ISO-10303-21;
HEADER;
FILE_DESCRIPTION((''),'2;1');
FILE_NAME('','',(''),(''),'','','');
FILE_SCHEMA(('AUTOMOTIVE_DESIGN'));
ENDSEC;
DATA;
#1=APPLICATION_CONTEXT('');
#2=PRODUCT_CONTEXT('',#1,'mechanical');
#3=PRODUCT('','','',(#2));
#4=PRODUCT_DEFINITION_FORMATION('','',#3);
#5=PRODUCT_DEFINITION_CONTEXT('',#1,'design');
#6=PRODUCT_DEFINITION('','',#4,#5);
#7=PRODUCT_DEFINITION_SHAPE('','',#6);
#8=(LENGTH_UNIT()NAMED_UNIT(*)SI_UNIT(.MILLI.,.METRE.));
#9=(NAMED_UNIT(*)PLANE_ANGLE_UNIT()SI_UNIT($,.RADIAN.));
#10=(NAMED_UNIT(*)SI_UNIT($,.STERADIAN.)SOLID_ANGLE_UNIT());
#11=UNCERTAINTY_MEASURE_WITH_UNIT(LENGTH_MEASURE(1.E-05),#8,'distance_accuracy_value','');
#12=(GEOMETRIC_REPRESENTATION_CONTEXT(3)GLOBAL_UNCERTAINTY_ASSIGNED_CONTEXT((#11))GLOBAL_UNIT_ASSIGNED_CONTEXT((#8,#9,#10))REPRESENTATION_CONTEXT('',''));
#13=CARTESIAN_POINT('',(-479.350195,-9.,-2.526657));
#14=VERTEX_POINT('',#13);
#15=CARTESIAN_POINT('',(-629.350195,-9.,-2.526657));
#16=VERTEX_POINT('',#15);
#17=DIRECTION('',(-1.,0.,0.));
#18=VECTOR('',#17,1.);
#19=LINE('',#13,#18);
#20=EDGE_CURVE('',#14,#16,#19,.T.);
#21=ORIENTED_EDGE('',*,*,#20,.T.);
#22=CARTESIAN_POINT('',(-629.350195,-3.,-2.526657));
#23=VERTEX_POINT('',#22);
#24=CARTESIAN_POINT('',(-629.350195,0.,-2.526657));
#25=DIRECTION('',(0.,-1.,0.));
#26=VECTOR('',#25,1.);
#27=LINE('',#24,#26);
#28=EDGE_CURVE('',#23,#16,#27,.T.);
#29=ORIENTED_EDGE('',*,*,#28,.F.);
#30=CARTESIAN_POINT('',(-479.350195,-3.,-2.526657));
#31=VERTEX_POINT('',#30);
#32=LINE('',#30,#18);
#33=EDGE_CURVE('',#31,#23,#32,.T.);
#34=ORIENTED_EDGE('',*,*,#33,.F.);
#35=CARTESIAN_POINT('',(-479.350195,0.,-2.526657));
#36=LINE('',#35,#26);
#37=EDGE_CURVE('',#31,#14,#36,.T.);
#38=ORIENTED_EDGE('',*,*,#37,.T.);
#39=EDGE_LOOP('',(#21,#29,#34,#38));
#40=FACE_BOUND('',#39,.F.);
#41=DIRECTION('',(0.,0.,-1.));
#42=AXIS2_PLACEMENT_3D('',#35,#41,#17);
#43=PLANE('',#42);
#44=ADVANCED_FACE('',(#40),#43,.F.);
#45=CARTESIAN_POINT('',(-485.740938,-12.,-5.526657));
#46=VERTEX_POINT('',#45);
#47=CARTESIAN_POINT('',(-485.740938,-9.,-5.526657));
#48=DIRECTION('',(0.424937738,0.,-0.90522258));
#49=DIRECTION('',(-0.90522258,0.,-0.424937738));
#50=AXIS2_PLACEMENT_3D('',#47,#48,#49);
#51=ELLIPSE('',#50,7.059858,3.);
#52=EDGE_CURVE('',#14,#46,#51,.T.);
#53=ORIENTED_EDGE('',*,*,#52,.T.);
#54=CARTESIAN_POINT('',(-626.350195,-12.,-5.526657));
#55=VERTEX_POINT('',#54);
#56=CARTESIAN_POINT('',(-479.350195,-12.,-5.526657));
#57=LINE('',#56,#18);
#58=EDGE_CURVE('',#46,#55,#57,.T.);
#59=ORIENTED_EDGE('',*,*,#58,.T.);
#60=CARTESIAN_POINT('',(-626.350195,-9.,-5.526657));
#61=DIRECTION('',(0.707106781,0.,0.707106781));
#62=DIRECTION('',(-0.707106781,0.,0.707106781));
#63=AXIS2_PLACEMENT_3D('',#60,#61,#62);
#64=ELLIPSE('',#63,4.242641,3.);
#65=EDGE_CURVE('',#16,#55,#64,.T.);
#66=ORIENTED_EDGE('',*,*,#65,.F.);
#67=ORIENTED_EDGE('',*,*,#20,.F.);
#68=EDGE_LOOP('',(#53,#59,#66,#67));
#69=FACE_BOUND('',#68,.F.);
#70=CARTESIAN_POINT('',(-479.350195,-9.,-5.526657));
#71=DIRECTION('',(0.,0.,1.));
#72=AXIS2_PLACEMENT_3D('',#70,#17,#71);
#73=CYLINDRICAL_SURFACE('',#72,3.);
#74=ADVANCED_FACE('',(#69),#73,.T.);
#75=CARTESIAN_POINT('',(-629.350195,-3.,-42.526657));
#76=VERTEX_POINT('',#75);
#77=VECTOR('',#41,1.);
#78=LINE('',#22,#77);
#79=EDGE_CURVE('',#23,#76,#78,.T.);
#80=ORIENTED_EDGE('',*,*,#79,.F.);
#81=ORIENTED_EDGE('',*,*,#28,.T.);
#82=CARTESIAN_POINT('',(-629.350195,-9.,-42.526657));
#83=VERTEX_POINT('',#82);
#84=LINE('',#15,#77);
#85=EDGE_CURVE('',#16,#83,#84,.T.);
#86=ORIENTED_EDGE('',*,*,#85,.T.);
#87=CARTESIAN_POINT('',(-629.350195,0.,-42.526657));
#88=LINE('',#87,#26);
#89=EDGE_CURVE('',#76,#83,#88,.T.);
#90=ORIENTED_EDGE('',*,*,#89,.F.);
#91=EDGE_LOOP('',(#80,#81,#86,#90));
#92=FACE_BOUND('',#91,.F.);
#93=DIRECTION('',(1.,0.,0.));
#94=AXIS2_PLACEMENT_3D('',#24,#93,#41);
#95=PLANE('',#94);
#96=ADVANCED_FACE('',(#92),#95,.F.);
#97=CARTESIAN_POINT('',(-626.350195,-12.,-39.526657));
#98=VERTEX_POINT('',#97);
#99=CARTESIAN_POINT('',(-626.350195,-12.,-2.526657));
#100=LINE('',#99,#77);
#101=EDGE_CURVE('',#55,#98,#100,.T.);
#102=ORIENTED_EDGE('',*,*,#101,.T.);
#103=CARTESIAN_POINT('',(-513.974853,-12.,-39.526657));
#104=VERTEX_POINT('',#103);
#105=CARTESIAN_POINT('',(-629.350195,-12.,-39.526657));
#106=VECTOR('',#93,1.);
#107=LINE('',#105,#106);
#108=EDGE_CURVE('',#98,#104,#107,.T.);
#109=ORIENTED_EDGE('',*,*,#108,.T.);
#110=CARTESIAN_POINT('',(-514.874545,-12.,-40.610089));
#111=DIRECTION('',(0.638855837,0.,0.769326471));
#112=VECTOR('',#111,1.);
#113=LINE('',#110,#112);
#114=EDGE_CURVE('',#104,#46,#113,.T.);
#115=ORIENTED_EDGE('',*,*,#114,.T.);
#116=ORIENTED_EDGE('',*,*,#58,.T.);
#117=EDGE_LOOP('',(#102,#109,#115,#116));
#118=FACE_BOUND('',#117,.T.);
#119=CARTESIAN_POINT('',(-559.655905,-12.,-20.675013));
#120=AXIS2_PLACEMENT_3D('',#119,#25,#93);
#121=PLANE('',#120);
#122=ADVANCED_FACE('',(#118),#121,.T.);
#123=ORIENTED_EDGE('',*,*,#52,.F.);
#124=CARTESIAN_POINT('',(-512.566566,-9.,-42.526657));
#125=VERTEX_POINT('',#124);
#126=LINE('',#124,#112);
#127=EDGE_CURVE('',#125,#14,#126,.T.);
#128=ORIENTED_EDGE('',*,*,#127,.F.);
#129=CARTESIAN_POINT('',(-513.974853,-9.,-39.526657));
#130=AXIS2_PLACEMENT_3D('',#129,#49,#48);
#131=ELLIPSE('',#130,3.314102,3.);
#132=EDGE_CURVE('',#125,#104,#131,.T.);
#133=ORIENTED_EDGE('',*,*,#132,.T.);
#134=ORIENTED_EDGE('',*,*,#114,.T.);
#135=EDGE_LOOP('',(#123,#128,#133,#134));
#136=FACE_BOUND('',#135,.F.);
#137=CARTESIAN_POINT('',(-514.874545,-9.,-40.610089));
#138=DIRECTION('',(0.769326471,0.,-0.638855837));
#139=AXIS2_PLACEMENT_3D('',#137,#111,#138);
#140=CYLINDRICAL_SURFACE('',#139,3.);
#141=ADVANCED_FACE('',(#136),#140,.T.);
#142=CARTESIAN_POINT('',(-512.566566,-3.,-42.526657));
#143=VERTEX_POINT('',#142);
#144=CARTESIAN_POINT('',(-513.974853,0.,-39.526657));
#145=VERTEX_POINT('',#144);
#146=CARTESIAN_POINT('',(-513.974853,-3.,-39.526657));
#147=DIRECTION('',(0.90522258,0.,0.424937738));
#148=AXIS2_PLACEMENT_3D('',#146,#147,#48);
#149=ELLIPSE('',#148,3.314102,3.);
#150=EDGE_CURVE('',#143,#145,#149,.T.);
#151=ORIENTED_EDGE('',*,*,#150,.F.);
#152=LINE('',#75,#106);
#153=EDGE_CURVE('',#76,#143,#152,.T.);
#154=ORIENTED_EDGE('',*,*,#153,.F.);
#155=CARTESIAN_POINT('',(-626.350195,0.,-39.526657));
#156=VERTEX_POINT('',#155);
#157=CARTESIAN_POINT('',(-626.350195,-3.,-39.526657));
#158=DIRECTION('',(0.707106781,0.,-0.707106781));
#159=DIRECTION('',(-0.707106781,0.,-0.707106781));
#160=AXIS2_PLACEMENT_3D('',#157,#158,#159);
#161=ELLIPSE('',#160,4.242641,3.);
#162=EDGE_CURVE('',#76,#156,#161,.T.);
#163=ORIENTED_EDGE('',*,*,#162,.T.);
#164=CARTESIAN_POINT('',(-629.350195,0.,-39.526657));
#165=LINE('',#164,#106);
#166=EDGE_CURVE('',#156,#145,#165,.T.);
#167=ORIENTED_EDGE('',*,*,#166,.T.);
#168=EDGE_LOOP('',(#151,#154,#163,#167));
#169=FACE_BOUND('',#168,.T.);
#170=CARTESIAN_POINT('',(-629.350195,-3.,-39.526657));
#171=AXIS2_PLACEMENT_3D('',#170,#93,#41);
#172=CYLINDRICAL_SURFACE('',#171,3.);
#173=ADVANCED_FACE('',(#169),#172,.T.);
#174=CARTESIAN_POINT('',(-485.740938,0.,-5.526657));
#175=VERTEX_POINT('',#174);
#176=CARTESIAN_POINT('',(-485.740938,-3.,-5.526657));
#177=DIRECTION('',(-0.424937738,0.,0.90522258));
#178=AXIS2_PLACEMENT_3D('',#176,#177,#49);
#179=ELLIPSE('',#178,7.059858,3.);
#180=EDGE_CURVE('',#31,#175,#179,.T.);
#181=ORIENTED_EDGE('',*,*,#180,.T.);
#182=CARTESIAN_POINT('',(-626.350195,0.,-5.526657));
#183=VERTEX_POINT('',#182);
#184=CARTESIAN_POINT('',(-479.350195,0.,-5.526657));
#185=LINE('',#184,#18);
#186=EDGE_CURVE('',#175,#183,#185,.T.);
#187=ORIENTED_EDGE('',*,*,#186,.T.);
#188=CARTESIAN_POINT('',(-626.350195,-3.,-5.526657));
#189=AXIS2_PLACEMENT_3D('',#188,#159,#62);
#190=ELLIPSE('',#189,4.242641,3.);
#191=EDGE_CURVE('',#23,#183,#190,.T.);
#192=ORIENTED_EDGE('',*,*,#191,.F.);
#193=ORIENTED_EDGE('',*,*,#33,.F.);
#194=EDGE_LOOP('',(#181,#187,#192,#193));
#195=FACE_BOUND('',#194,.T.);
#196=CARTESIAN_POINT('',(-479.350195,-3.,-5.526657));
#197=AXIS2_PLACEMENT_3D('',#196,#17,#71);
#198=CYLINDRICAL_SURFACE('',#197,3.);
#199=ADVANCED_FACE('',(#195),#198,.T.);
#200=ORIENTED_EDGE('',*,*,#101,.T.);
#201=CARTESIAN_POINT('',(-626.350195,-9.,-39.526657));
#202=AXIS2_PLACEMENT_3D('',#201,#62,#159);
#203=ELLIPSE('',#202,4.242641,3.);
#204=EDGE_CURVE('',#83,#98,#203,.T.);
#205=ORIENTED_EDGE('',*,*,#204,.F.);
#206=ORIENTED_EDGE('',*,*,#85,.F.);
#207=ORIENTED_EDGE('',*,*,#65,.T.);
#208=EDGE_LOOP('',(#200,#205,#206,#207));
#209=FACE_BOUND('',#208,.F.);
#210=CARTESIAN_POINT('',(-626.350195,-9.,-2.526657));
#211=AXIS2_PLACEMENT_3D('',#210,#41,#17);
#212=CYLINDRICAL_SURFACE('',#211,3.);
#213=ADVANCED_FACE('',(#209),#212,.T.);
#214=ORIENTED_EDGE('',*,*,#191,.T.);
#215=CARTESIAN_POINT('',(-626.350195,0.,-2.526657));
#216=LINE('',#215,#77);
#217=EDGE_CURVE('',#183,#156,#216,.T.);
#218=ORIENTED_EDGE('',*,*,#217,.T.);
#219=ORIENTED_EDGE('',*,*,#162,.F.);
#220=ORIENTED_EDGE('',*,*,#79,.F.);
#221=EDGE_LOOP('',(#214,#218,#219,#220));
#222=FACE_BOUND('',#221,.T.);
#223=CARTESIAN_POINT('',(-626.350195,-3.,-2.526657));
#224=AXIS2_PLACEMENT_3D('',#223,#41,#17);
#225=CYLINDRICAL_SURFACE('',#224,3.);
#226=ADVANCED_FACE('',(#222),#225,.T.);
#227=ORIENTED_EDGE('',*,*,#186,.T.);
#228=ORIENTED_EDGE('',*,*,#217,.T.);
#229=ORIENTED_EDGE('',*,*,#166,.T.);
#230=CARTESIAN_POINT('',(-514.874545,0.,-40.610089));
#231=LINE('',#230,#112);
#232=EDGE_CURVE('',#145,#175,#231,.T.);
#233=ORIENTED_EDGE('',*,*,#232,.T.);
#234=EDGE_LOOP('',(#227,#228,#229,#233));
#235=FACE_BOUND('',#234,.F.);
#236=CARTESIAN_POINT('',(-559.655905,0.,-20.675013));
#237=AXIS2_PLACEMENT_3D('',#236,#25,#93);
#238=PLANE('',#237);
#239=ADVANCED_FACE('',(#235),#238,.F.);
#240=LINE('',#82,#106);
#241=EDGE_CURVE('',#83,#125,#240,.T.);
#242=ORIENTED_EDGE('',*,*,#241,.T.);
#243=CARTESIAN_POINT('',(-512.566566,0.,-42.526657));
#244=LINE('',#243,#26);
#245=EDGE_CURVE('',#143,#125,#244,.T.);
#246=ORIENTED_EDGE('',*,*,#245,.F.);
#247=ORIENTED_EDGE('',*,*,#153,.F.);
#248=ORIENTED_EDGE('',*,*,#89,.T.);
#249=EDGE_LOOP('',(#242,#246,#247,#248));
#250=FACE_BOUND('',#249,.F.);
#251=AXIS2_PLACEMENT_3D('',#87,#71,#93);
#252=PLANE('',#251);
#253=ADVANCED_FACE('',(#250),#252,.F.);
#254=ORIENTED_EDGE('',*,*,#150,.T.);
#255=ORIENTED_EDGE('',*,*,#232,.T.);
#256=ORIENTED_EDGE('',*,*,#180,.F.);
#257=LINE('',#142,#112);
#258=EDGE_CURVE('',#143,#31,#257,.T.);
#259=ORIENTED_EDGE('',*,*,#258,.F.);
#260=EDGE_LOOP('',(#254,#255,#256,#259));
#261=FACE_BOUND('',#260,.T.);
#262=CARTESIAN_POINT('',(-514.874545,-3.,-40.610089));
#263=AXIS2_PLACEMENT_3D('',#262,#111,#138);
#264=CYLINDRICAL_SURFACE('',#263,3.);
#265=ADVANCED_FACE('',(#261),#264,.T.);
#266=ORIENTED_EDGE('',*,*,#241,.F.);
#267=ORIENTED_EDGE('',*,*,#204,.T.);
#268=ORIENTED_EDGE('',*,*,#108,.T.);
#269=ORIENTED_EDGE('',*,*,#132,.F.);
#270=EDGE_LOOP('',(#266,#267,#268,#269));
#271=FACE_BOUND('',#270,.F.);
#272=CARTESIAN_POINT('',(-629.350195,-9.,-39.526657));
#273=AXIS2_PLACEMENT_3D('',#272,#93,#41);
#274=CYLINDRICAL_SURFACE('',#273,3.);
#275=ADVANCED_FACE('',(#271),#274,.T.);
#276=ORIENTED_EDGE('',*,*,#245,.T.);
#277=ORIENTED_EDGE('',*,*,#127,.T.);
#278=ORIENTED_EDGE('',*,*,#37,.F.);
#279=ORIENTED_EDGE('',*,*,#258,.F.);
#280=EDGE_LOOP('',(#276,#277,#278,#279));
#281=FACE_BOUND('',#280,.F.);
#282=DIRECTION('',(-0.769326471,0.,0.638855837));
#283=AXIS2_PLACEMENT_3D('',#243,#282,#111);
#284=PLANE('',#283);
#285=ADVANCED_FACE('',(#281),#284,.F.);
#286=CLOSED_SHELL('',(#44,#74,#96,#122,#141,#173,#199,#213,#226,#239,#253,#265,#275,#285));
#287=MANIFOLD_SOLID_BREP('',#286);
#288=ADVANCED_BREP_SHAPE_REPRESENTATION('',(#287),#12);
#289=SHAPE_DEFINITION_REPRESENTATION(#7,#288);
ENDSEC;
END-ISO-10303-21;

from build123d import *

# Parameters (mm, degrees)
F1_DEPTH = 12
F3_R     = 3


with BuildPart() as f1:
    # F0 (on Front) → F1 (new body)
    with BuildSketch(Plane.XZ):
        Polygon((-479.350195, -2.526657), (-629.350195, -2.526657), (-629.350195, -42.526657), (-512.566566, -42.526657), align=None)
    extrude(amount=F1_DEPTH)

    # F3
    f3_edges = [f1.edges().sort_by_distance(p)[0] for p in [
        (-554.350195, -12, -2.526657),
        (-629.350195, -12, -22.526657),
        (-570.958381, -12, -42.526657),
        (-495.958381, -12, -22.526657),
        (-554.350195, 0, -2.526657),
        (-629.350195, 0, -22.526657),
        (-570.958381, 0, -42.526657),
        (-495.958381, 0, -22.526657),
    ]]
    fillet(f3_edges, radius=F3_R)


solid = f1.part
